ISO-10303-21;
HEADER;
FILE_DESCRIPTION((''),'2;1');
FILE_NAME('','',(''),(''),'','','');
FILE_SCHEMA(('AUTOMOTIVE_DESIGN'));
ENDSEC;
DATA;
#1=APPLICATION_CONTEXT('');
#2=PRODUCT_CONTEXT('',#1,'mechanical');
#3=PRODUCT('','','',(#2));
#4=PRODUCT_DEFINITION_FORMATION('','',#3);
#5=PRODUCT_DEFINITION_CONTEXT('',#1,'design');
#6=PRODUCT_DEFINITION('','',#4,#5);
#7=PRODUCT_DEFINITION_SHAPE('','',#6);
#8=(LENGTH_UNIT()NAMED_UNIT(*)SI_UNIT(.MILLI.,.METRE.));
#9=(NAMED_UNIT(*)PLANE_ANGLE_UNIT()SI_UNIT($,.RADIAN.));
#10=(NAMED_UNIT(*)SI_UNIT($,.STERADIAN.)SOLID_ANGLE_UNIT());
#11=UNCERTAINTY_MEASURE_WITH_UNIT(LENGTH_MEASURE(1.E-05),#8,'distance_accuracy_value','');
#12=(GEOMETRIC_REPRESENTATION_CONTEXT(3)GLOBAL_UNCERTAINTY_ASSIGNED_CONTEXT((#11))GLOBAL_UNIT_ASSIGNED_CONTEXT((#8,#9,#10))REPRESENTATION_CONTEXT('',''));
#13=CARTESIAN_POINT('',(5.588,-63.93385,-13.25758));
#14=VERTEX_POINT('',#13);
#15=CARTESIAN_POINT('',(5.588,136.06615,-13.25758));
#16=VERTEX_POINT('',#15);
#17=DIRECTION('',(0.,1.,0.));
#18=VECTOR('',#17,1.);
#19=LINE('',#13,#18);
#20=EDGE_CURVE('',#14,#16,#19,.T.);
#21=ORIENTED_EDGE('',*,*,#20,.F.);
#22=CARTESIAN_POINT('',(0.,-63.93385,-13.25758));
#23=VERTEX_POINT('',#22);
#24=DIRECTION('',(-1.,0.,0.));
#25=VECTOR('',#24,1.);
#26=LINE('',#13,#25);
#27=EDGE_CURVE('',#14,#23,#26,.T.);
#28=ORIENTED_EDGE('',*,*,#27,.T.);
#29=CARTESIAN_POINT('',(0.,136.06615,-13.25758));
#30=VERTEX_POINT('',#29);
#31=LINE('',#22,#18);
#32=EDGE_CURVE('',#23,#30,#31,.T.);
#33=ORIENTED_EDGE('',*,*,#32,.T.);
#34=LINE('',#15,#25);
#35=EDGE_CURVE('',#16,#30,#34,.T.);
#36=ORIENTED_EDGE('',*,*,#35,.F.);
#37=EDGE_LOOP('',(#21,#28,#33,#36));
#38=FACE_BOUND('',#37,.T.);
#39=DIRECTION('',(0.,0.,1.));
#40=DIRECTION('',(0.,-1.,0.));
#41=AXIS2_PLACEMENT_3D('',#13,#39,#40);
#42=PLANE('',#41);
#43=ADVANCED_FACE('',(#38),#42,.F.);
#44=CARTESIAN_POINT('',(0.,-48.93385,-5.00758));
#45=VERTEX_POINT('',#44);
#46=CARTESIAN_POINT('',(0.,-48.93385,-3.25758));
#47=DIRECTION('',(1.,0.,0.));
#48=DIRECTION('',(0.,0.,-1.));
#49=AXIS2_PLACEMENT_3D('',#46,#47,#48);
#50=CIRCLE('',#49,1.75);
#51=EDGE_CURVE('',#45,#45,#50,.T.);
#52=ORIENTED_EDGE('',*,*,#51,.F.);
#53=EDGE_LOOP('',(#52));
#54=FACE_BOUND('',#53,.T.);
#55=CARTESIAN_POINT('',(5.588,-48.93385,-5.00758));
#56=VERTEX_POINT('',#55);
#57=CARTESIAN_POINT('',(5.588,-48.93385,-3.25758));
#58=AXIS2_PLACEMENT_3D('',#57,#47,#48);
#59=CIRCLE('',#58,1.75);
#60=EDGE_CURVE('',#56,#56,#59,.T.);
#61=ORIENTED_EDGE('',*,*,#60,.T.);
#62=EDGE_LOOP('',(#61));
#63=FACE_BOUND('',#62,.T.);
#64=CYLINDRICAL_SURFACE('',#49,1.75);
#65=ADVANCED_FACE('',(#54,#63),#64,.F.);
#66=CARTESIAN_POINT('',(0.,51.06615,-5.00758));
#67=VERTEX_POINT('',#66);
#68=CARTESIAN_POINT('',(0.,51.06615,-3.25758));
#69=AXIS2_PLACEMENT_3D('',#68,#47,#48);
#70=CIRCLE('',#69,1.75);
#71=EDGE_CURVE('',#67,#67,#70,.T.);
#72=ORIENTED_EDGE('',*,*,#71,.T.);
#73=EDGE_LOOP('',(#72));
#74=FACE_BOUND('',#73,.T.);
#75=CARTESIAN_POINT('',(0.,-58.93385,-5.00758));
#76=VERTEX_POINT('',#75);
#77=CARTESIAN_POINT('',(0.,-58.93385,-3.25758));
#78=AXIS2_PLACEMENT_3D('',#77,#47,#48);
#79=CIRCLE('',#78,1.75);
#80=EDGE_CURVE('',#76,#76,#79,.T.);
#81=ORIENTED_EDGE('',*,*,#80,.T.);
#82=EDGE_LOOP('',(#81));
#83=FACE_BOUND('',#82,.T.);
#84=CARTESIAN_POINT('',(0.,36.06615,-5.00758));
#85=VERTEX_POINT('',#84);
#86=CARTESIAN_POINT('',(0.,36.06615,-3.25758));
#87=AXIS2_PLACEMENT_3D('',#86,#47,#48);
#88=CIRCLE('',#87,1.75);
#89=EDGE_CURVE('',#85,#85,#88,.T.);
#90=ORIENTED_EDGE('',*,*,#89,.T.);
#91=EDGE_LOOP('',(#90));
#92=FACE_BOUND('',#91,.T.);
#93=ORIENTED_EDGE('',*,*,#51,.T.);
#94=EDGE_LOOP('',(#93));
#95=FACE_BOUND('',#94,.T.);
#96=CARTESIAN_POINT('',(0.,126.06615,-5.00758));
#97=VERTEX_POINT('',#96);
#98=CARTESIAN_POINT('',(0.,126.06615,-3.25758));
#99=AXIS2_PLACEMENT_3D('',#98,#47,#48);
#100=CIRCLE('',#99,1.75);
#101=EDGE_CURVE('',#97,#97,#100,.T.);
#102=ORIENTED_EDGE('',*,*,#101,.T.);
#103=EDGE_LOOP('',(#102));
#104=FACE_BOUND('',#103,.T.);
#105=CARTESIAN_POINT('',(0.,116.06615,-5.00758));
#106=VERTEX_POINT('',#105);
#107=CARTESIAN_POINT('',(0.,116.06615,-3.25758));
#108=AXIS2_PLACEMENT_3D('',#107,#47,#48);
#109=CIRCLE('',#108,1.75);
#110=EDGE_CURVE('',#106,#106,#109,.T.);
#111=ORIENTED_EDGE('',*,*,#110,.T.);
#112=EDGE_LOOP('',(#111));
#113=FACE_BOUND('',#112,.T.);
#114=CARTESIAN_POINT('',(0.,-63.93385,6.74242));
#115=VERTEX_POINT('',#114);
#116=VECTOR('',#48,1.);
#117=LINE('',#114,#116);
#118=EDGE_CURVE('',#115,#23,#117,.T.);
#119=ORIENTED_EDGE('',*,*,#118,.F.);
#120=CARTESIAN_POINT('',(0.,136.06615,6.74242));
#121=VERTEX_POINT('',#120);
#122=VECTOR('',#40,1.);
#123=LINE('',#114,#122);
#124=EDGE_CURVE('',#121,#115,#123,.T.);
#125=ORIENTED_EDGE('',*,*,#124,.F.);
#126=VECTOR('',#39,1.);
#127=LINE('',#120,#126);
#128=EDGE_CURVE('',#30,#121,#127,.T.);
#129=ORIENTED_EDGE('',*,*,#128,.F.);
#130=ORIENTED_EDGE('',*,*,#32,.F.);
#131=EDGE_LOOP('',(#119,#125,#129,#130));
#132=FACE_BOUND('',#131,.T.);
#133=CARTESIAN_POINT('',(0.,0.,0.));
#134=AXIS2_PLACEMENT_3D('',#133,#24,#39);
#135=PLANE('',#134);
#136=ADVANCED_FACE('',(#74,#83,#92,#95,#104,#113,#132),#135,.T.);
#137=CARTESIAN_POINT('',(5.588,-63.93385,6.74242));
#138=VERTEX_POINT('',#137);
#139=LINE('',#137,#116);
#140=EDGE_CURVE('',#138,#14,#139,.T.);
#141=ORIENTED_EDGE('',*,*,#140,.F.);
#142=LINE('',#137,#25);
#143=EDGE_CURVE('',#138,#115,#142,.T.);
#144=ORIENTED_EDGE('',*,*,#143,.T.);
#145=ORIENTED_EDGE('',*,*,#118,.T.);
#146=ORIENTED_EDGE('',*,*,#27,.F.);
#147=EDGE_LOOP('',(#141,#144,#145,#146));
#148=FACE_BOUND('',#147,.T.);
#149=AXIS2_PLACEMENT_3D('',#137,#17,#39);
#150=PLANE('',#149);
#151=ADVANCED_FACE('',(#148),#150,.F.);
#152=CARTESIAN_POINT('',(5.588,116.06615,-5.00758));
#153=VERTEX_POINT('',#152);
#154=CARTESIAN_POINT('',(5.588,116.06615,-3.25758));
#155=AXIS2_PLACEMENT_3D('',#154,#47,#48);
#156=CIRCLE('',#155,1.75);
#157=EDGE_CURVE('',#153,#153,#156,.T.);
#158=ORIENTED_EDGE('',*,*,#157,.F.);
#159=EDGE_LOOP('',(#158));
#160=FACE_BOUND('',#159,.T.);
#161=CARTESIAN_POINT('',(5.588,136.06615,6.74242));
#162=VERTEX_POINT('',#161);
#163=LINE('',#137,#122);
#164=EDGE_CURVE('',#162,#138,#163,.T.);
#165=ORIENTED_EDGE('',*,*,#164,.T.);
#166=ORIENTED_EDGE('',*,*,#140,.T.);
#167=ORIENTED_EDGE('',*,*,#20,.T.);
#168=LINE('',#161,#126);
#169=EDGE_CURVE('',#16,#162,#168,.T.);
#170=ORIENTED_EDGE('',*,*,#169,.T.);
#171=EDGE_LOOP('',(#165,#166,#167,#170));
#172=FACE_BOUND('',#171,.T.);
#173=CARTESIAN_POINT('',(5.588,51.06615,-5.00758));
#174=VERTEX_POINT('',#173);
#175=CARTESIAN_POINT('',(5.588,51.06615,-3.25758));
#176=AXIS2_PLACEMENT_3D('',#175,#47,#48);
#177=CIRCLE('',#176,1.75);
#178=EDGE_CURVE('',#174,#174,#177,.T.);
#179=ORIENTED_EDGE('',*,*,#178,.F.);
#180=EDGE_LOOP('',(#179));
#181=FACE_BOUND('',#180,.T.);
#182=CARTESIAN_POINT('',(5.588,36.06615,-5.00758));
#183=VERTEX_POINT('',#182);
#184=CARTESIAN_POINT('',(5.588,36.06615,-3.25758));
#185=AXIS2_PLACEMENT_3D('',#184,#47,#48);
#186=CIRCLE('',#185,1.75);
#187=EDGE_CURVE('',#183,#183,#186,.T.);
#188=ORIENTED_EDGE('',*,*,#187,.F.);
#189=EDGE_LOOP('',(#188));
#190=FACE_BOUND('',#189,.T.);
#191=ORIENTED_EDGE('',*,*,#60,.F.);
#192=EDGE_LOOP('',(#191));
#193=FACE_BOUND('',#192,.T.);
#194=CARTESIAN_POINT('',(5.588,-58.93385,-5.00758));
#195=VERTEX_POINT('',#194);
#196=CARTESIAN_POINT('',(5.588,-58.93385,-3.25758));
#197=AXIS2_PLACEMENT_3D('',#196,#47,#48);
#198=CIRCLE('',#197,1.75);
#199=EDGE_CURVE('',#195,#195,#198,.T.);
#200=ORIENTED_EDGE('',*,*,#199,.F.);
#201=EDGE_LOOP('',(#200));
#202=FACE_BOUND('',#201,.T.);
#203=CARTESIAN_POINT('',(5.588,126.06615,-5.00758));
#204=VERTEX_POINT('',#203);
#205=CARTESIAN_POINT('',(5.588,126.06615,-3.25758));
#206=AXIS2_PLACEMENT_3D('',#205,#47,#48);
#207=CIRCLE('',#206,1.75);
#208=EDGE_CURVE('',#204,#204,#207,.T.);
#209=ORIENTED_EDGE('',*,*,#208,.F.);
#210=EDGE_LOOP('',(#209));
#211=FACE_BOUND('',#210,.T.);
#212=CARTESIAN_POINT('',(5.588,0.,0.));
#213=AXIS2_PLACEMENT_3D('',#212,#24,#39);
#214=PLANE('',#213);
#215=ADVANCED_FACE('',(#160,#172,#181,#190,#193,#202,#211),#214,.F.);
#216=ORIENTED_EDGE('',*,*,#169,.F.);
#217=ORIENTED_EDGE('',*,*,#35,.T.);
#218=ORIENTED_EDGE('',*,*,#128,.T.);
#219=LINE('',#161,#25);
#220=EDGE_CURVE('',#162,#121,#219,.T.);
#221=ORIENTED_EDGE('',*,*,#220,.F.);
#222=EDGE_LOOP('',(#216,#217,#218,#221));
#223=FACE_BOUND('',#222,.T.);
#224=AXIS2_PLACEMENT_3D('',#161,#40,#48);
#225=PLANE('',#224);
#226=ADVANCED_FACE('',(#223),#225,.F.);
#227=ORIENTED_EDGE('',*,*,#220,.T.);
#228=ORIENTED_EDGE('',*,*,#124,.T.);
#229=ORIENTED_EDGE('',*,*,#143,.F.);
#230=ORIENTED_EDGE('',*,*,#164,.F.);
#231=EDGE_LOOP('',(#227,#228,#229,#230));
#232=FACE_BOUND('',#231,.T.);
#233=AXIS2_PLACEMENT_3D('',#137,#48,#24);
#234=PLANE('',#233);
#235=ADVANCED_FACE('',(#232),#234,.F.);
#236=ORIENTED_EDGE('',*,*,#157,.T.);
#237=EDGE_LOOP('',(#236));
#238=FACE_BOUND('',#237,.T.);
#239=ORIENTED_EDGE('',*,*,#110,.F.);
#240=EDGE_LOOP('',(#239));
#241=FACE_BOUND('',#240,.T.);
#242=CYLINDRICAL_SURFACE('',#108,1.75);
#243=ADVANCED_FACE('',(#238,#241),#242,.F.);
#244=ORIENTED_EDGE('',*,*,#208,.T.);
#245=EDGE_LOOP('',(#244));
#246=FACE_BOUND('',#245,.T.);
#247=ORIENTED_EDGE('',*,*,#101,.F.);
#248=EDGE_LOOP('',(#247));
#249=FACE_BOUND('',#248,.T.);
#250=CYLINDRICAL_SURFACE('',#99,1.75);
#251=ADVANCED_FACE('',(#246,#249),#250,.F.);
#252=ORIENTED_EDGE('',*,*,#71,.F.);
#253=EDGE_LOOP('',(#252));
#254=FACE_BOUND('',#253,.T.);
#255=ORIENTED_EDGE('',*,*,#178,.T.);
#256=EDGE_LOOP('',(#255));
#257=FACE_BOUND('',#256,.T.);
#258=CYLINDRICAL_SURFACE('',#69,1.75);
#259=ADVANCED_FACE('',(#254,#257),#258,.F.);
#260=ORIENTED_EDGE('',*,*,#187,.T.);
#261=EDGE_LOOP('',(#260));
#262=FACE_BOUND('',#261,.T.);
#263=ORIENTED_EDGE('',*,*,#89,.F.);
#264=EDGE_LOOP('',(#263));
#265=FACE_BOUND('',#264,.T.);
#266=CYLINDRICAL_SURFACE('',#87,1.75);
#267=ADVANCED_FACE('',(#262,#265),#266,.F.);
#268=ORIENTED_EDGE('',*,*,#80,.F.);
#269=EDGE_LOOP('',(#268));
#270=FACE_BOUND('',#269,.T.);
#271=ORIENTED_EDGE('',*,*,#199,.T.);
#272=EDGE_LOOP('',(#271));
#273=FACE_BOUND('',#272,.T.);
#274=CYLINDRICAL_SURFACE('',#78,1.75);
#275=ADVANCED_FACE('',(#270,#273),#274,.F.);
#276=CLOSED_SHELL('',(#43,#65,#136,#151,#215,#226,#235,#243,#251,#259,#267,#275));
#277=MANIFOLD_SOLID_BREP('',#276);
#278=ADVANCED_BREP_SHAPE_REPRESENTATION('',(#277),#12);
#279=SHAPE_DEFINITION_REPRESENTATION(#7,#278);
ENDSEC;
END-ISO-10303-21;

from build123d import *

# Parameters (mm, degrees)
SKETCH1_W           = 20
SKETCH1_H           = 200
BOSS_EXTRUDE1_DEPTH = 5.588
SKETCH2_R           = 1.75
CUT_EXTRUDE1_DEPTH  = 137.824655756
SKETCH3_R           = 1.75
CUT_EXTRUDE2_DEPTH  = 137.824655756


with BuildPart() as part:
    # Sketch1 → Boss-Extrude1 (new body)
    with BuildSketch(Plane(origin=(0, 0, 0), x_dir=(0, 0, -1), z_dir=(1, 0, 0))):
        with Locations((3.257579928, 36.066150284)):
            Rectangle(SKETCH1_W, SKETCH1_H)
    extrude(amount=BOSS_EXTRUDE1_DEPTH)

    # Sketch2 → Cut-Extrude1 (cut, through all)
    with BuildSketch(Plane(origin=(5.588, 0, 0), x_dir=(0, 0, -1), z_dir=(1, 0, 0))):
        with Locations((3.257579928, -58.933849716)):
            Circle(SKETCH2_R)
        with Locations((3.257579928, -48.933849716)):
            Circle(SKETCH2_R)
        with Locations((3.257579928, 116.066150284)):
            Circle(SKETCH2_R)
        with Locations((3.257579928, 126.066150284)):
            Circle(SKETCH2_R)
    extrude(amount=-CUT_EXTRUDE1_DEPTH, mode=Mode.SUBTRACT)

    # Sketch3 → Cut-Extrude2 (cut, through all)
    with BuildSketch(Plane(origin=(5.588, 0, 0), x_dir=(0, 0, -1), z_dir=(1, 0, 0))):
        with Locations((3.257579928, 36.066150284)):
            Circle(SKETCH3_R)
        with Locations((3.257579928, 51.066150284)):
            Circle(SKETCH3_R)
    extrude(amount=-CUT_EXTRUDE2_DEPTH, mode=Mode.SUBTRACT)


solid = part.part
